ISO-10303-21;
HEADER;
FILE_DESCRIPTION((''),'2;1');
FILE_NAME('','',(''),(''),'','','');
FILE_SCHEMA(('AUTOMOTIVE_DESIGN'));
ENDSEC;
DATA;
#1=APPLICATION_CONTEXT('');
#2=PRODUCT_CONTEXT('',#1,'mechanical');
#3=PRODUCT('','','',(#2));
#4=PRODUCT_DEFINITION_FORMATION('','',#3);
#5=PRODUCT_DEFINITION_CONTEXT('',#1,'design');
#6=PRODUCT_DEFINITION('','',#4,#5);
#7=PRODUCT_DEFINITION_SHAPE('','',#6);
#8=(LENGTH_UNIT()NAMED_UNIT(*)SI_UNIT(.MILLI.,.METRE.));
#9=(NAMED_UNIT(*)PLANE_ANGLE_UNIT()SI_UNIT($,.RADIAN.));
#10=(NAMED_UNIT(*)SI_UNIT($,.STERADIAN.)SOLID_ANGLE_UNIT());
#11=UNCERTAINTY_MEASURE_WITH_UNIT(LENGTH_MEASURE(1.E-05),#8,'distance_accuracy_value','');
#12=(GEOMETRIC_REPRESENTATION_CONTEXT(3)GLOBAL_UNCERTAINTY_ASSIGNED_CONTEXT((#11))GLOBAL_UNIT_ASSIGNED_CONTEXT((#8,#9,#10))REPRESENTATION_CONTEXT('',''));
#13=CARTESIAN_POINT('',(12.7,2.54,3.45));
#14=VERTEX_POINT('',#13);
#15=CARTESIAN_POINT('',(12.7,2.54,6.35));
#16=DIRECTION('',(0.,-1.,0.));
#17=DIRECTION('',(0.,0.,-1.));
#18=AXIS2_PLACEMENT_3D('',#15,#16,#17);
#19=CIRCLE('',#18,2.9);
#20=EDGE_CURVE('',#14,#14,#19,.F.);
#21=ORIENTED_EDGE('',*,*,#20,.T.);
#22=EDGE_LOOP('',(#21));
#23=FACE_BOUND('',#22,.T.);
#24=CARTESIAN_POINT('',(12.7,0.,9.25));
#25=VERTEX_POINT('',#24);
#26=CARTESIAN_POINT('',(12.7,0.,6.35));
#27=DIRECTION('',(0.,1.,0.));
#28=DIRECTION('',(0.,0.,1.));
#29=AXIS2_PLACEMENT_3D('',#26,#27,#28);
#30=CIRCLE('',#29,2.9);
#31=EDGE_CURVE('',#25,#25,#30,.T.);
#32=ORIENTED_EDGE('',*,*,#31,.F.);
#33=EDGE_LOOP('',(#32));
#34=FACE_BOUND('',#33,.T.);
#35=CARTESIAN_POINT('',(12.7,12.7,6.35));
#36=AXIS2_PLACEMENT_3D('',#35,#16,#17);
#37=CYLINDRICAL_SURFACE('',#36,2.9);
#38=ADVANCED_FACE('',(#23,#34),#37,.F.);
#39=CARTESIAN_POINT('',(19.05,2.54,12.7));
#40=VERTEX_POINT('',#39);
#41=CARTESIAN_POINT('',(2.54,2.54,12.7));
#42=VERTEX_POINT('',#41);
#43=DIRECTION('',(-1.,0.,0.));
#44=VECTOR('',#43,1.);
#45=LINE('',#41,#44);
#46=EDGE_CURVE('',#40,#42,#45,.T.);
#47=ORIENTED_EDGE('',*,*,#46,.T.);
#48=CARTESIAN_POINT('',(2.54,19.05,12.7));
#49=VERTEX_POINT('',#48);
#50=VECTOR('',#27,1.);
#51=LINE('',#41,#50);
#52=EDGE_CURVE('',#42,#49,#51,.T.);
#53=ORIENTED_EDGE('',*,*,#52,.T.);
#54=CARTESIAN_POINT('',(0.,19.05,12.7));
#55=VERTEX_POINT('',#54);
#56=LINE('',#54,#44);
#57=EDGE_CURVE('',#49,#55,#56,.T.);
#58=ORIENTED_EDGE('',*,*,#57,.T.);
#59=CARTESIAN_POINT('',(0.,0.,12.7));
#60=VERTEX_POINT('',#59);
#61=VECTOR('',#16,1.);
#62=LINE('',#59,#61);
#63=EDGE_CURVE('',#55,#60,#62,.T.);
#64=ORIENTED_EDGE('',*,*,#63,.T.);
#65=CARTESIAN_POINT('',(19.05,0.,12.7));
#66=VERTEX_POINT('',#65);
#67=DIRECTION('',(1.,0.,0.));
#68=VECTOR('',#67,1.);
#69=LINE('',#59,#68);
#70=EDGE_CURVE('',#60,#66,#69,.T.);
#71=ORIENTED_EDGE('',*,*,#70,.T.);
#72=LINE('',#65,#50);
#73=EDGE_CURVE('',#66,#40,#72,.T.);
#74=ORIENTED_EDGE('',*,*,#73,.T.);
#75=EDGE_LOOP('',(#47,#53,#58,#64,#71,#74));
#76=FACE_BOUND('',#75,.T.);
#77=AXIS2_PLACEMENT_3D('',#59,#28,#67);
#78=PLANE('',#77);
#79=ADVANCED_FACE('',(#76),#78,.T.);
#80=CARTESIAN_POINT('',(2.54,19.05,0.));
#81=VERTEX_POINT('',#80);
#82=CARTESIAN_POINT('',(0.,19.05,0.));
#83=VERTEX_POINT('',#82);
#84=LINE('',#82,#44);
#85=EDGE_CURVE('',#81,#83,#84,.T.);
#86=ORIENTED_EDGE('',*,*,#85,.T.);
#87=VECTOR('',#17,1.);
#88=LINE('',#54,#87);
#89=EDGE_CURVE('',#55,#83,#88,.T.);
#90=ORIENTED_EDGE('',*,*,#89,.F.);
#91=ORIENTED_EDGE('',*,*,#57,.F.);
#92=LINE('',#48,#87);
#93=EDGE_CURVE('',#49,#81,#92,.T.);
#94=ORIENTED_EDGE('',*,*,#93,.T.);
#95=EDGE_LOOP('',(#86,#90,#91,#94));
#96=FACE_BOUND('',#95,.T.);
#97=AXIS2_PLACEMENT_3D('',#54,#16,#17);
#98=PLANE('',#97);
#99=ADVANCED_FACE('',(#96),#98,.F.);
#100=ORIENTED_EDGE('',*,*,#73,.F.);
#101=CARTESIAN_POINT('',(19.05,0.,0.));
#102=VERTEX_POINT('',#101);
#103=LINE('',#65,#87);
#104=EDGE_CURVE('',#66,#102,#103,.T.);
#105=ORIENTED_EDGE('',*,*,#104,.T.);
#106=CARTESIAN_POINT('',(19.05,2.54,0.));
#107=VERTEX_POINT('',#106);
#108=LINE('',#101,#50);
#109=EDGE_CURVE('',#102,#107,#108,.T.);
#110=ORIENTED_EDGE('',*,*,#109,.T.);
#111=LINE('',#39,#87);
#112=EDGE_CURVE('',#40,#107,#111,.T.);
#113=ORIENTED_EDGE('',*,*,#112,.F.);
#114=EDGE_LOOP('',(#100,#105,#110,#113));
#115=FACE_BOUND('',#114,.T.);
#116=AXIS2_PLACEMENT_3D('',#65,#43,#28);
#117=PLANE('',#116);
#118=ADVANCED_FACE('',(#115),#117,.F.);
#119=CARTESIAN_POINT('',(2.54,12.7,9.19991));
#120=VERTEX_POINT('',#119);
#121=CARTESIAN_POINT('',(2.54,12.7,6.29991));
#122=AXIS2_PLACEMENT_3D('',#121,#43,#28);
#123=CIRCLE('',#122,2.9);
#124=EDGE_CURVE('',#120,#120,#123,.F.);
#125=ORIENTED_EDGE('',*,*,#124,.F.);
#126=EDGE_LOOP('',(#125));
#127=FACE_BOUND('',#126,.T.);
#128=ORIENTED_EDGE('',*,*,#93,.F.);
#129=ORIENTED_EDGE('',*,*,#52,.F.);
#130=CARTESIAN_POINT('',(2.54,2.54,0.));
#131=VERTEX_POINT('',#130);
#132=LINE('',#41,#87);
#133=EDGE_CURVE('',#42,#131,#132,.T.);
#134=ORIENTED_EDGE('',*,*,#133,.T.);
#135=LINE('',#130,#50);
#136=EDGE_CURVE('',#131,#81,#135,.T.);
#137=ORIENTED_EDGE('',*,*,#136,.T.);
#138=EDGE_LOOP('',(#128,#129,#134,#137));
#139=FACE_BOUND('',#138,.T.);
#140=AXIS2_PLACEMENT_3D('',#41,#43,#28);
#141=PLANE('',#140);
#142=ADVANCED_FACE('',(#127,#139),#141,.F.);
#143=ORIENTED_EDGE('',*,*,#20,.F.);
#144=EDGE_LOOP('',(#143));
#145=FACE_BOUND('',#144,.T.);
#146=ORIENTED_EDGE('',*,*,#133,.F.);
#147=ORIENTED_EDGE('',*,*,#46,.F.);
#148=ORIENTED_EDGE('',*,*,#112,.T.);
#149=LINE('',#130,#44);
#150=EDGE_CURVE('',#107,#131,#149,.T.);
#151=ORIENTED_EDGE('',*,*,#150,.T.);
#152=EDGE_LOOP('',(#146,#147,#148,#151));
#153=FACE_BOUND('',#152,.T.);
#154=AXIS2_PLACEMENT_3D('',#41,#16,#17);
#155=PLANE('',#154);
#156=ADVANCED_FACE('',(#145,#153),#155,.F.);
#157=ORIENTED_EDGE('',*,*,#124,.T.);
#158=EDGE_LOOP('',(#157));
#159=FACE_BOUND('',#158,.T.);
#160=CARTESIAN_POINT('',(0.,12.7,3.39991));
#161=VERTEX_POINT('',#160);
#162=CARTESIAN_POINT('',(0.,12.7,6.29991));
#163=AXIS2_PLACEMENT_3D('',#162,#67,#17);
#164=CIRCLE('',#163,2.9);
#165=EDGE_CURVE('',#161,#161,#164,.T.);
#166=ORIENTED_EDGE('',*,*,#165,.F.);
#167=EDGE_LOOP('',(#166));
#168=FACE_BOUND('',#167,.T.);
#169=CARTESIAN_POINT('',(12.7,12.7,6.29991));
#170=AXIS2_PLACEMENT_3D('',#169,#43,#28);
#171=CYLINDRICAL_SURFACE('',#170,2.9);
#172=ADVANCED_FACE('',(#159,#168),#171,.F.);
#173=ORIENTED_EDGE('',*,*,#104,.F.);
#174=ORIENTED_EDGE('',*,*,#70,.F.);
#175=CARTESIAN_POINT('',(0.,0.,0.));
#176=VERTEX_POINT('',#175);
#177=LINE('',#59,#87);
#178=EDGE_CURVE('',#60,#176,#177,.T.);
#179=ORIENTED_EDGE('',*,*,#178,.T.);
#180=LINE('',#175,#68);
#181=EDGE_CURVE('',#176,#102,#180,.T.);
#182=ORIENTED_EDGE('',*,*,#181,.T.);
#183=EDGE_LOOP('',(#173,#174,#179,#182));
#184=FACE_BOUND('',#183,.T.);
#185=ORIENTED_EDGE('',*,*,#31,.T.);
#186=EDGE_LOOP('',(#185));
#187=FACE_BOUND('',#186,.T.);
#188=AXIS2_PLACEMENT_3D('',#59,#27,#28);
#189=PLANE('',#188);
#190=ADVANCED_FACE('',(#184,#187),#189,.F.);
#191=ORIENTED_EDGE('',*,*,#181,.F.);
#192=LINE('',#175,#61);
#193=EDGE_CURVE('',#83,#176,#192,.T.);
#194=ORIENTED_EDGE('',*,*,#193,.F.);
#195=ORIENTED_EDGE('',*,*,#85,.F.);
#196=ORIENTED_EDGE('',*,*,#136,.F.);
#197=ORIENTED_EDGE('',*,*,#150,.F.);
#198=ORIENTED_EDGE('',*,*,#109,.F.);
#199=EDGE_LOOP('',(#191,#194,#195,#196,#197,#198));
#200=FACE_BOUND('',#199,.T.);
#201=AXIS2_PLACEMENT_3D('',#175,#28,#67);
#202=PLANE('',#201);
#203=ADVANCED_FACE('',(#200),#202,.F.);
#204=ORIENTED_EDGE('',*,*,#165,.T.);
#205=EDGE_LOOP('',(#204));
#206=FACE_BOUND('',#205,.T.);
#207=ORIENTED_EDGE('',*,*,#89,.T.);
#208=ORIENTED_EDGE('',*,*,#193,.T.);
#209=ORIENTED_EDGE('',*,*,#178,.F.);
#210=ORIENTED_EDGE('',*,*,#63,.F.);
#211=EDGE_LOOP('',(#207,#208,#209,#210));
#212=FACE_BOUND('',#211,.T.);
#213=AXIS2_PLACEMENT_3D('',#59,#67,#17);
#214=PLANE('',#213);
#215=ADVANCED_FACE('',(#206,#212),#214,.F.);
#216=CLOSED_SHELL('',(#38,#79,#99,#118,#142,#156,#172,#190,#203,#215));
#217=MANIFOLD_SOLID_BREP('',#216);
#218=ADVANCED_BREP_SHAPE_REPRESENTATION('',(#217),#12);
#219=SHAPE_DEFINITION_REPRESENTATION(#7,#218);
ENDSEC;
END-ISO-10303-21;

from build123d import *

# Parameters (mm, degrees)
BOSS_EXTRUDE1_DEPTH = 12.7
SKETCH2_R           = 2.9
CUT_EXTRUDE1_DEPTH  = 12.7
SKETCH3_R           = 2.9
CUT_EXTRUDE3_DEPTH  = 12.7


with BuildPart() as part:
    # Sketch1 → Boss-Extrude1 (new body)
    with BuildSketch(Plane.XY):
        Polygon((0, 0), (0, 19.05), (2.54, 19.05), (2.54, 2.54), (19.05, 2.54), (19.05, 0), align=None)
    extrude(amount=BOSS_EXTRUDE1_DEPTH)

    # Sketch2 → Cut-Extrude1 (cut)
    with BuildSketch(Plane(origin=(0, 0, 0), x_dir=(0, 0, -1), z_dir=(1, 0, 0))):
        with Locations(Location((-6.299909987, 12.7, 0), (0, 0, 180))):
            Circle(SKETCH2_R)
    extrude(amount=CUT_EXTRUDE1_DEPTH, mode=Mode.SUBTRACT)

    # Sketch3 → Cut-Extrude3 (cut)
    with BuildSketch(Plane(origin=(0, 0, 0), x_dir=(1, 0, 0), z_dir=(0, 1, 0))):
        with Locations(Location((12.7, -6.35, 0), (0, 0, 90))):
            Circle(SKETCH3_R)
    extrude(amount=CUT_EXTRUDE3_DEPTH, mode=Mode.SUBTRACT)


solid = part.part
